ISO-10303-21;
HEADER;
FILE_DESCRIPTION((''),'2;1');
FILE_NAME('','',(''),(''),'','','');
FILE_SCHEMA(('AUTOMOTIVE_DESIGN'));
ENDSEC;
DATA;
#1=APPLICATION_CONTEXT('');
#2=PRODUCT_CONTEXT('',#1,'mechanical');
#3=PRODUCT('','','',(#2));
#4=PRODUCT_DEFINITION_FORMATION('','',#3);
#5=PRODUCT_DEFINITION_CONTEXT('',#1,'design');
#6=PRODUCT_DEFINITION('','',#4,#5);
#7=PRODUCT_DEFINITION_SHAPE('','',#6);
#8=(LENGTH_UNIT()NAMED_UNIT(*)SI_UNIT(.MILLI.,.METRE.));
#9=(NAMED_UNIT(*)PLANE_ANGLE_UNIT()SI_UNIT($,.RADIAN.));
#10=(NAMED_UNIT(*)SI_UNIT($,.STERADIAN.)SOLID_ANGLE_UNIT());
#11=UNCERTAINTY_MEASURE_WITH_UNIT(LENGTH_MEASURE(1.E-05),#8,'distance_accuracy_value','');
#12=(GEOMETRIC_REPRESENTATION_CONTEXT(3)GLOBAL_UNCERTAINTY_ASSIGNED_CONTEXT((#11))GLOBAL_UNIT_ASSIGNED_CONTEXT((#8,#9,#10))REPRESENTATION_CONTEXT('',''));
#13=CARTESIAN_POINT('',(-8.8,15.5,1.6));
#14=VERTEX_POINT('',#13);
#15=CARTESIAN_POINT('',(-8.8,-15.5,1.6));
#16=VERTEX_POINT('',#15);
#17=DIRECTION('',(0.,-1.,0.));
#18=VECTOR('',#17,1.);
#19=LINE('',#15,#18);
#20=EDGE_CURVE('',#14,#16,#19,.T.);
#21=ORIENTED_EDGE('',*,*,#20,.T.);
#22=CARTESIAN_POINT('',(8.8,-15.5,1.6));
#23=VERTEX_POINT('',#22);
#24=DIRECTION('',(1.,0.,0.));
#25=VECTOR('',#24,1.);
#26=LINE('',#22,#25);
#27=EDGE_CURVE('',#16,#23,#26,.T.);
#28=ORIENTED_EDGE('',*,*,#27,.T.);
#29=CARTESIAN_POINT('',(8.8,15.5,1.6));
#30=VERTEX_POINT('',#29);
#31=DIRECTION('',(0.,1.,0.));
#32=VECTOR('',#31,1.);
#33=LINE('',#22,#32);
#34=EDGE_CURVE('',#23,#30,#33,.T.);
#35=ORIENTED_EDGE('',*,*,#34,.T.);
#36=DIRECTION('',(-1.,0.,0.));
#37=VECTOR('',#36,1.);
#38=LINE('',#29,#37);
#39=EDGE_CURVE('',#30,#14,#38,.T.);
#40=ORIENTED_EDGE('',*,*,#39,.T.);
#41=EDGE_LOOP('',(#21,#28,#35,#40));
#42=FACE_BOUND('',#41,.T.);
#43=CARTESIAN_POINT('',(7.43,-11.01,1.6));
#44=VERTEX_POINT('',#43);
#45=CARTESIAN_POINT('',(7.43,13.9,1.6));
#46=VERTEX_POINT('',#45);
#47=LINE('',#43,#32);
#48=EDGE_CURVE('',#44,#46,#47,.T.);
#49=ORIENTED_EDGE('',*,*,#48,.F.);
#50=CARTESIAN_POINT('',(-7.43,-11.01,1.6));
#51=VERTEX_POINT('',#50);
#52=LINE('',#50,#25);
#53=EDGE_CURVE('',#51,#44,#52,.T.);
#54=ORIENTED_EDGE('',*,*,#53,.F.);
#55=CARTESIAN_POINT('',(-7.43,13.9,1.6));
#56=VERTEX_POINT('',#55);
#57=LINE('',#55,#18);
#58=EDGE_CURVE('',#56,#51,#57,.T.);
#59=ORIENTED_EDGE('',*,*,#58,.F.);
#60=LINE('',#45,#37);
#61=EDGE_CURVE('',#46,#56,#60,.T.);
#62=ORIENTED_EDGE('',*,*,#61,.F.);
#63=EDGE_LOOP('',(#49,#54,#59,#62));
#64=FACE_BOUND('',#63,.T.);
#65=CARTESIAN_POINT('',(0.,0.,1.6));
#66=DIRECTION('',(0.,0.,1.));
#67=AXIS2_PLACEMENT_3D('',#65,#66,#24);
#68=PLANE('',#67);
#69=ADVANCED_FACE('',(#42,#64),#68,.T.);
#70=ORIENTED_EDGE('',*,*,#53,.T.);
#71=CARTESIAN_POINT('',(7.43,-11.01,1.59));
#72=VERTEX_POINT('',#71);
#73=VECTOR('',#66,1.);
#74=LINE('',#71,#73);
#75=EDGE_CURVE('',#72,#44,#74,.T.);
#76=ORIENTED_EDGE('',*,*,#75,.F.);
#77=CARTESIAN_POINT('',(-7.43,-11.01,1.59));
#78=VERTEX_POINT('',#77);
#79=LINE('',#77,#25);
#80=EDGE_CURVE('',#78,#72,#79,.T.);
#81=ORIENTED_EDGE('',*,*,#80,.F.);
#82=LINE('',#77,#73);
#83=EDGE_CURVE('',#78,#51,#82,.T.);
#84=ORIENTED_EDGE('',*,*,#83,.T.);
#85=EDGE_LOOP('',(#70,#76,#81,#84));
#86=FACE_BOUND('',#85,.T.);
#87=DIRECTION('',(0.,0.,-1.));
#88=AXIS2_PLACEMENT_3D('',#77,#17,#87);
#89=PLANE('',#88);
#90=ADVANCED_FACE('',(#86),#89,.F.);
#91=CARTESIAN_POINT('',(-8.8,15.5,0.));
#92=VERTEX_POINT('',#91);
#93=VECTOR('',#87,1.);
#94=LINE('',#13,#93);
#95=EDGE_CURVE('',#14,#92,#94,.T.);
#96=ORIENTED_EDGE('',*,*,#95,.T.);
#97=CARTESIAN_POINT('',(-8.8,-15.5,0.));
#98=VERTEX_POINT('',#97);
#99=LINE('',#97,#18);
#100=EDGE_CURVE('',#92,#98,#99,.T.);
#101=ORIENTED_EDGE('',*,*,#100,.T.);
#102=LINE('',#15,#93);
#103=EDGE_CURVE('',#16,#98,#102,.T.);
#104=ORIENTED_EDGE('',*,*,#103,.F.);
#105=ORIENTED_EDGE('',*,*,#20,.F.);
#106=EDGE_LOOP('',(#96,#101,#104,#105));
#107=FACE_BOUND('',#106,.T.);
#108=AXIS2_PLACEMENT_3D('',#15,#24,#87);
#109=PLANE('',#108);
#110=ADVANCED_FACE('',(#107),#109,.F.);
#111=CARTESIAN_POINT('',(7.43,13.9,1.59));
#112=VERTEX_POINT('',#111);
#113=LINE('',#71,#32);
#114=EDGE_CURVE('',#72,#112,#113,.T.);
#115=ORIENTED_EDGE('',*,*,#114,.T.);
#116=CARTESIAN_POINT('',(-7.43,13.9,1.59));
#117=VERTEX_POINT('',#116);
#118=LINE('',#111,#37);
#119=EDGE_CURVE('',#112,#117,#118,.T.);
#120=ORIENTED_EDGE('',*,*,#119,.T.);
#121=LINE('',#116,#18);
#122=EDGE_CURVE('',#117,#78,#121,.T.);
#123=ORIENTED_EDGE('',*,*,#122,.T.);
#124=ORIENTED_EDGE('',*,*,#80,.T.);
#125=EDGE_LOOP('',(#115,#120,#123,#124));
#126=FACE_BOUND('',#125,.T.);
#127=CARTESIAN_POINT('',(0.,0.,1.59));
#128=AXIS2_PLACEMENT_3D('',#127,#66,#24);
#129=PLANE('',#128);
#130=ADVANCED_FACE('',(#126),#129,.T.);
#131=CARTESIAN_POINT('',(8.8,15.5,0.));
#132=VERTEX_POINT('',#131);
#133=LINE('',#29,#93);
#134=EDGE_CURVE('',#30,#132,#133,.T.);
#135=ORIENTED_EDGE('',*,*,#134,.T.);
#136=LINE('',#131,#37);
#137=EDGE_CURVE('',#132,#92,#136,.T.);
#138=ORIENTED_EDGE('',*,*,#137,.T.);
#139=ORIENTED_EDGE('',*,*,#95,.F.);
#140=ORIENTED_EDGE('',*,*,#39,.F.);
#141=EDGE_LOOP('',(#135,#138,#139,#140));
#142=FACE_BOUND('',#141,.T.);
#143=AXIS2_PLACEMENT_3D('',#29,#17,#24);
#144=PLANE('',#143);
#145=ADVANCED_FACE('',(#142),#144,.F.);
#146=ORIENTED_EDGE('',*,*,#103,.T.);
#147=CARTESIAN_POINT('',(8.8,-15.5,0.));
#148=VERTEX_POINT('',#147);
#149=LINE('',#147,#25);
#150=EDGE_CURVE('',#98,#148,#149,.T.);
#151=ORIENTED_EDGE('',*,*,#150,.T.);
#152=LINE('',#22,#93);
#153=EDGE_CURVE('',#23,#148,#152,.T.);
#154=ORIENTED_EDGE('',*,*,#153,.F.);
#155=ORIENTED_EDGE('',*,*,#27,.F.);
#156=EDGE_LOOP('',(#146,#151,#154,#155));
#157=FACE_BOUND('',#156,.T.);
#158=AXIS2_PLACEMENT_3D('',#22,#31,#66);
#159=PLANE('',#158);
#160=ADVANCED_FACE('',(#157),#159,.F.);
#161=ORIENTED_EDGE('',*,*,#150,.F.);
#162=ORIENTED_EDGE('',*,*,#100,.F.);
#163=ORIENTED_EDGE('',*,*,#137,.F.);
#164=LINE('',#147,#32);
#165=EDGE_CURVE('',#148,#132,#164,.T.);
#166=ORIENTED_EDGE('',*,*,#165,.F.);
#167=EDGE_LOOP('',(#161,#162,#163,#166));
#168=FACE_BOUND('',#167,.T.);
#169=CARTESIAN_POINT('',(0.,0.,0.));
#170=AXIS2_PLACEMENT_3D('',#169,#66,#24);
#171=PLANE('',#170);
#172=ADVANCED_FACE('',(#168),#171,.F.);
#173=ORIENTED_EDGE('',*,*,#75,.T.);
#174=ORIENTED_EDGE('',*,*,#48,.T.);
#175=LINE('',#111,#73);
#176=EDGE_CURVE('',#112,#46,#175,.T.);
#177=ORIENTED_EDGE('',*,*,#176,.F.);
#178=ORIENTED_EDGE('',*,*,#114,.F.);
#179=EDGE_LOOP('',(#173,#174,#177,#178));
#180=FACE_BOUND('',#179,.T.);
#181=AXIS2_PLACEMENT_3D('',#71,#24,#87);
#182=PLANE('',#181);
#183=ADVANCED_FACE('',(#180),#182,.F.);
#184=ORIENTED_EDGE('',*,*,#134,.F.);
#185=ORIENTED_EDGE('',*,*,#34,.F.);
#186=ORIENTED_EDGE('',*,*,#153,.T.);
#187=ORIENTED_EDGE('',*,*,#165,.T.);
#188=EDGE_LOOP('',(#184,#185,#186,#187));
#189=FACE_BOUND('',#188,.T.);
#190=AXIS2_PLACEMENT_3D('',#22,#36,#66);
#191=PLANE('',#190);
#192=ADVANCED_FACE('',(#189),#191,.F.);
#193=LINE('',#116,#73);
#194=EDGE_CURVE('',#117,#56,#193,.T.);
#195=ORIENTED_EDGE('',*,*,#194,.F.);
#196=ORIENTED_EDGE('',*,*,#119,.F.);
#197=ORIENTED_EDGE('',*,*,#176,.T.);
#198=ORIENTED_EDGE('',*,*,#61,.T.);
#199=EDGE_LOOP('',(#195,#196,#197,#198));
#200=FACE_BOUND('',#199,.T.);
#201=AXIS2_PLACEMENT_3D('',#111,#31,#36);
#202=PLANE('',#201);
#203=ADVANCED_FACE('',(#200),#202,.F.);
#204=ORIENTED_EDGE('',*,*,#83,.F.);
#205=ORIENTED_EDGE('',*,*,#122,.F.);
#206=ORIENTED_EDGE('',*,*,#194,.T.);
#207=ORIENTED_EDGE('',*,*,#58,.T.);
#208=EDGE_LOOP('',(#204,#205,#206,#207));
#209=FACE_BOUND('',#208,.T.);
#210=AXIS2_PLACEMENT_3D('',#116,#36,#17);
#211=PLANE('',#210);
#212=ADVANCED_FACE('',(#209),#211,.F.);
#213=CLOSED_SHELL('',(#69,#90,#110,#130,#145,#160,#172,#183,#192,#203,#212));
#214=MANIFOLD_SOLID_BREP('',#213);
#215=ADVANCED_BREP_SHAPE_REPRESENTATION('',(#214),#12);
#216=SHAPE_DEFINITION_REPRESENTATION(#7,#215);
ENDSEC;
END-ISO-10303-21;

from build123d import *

# Parameters (mm, degrees)
SKETCH_1_W          = 17.6
SKETCH_1_H          = 31
EXTRUDE_1_DEPTH     = 1.6
SKETCH_2_W          = 14.86
SKETCH_2_H          = 24.91
CUT_EXTRUDE_1_DEPTH = 0.01


with BuildPart() as part:
    # 草图1 → 凸台-拉伸1 (new body)
    with BuildSketch(Plane.XY):
        Rectangle(SKETCH_1_W, SKETCH_1_H)
    extrude(amount=EXTRUDE_1_DEPTH)

    # 草图2 → 切除-拉伸1 (cut)
    with BuildSketch(Plane.XY.offset(1.6)):
        with Locations((0, 1.445)):
            Rectangle(SKETCH_2_W, SKETCH_2_H)
    extrude(amount=-CUT_EXTRUDE_1_DEPTH, mode=Mode.SUBTRACT)


solid = part.part
